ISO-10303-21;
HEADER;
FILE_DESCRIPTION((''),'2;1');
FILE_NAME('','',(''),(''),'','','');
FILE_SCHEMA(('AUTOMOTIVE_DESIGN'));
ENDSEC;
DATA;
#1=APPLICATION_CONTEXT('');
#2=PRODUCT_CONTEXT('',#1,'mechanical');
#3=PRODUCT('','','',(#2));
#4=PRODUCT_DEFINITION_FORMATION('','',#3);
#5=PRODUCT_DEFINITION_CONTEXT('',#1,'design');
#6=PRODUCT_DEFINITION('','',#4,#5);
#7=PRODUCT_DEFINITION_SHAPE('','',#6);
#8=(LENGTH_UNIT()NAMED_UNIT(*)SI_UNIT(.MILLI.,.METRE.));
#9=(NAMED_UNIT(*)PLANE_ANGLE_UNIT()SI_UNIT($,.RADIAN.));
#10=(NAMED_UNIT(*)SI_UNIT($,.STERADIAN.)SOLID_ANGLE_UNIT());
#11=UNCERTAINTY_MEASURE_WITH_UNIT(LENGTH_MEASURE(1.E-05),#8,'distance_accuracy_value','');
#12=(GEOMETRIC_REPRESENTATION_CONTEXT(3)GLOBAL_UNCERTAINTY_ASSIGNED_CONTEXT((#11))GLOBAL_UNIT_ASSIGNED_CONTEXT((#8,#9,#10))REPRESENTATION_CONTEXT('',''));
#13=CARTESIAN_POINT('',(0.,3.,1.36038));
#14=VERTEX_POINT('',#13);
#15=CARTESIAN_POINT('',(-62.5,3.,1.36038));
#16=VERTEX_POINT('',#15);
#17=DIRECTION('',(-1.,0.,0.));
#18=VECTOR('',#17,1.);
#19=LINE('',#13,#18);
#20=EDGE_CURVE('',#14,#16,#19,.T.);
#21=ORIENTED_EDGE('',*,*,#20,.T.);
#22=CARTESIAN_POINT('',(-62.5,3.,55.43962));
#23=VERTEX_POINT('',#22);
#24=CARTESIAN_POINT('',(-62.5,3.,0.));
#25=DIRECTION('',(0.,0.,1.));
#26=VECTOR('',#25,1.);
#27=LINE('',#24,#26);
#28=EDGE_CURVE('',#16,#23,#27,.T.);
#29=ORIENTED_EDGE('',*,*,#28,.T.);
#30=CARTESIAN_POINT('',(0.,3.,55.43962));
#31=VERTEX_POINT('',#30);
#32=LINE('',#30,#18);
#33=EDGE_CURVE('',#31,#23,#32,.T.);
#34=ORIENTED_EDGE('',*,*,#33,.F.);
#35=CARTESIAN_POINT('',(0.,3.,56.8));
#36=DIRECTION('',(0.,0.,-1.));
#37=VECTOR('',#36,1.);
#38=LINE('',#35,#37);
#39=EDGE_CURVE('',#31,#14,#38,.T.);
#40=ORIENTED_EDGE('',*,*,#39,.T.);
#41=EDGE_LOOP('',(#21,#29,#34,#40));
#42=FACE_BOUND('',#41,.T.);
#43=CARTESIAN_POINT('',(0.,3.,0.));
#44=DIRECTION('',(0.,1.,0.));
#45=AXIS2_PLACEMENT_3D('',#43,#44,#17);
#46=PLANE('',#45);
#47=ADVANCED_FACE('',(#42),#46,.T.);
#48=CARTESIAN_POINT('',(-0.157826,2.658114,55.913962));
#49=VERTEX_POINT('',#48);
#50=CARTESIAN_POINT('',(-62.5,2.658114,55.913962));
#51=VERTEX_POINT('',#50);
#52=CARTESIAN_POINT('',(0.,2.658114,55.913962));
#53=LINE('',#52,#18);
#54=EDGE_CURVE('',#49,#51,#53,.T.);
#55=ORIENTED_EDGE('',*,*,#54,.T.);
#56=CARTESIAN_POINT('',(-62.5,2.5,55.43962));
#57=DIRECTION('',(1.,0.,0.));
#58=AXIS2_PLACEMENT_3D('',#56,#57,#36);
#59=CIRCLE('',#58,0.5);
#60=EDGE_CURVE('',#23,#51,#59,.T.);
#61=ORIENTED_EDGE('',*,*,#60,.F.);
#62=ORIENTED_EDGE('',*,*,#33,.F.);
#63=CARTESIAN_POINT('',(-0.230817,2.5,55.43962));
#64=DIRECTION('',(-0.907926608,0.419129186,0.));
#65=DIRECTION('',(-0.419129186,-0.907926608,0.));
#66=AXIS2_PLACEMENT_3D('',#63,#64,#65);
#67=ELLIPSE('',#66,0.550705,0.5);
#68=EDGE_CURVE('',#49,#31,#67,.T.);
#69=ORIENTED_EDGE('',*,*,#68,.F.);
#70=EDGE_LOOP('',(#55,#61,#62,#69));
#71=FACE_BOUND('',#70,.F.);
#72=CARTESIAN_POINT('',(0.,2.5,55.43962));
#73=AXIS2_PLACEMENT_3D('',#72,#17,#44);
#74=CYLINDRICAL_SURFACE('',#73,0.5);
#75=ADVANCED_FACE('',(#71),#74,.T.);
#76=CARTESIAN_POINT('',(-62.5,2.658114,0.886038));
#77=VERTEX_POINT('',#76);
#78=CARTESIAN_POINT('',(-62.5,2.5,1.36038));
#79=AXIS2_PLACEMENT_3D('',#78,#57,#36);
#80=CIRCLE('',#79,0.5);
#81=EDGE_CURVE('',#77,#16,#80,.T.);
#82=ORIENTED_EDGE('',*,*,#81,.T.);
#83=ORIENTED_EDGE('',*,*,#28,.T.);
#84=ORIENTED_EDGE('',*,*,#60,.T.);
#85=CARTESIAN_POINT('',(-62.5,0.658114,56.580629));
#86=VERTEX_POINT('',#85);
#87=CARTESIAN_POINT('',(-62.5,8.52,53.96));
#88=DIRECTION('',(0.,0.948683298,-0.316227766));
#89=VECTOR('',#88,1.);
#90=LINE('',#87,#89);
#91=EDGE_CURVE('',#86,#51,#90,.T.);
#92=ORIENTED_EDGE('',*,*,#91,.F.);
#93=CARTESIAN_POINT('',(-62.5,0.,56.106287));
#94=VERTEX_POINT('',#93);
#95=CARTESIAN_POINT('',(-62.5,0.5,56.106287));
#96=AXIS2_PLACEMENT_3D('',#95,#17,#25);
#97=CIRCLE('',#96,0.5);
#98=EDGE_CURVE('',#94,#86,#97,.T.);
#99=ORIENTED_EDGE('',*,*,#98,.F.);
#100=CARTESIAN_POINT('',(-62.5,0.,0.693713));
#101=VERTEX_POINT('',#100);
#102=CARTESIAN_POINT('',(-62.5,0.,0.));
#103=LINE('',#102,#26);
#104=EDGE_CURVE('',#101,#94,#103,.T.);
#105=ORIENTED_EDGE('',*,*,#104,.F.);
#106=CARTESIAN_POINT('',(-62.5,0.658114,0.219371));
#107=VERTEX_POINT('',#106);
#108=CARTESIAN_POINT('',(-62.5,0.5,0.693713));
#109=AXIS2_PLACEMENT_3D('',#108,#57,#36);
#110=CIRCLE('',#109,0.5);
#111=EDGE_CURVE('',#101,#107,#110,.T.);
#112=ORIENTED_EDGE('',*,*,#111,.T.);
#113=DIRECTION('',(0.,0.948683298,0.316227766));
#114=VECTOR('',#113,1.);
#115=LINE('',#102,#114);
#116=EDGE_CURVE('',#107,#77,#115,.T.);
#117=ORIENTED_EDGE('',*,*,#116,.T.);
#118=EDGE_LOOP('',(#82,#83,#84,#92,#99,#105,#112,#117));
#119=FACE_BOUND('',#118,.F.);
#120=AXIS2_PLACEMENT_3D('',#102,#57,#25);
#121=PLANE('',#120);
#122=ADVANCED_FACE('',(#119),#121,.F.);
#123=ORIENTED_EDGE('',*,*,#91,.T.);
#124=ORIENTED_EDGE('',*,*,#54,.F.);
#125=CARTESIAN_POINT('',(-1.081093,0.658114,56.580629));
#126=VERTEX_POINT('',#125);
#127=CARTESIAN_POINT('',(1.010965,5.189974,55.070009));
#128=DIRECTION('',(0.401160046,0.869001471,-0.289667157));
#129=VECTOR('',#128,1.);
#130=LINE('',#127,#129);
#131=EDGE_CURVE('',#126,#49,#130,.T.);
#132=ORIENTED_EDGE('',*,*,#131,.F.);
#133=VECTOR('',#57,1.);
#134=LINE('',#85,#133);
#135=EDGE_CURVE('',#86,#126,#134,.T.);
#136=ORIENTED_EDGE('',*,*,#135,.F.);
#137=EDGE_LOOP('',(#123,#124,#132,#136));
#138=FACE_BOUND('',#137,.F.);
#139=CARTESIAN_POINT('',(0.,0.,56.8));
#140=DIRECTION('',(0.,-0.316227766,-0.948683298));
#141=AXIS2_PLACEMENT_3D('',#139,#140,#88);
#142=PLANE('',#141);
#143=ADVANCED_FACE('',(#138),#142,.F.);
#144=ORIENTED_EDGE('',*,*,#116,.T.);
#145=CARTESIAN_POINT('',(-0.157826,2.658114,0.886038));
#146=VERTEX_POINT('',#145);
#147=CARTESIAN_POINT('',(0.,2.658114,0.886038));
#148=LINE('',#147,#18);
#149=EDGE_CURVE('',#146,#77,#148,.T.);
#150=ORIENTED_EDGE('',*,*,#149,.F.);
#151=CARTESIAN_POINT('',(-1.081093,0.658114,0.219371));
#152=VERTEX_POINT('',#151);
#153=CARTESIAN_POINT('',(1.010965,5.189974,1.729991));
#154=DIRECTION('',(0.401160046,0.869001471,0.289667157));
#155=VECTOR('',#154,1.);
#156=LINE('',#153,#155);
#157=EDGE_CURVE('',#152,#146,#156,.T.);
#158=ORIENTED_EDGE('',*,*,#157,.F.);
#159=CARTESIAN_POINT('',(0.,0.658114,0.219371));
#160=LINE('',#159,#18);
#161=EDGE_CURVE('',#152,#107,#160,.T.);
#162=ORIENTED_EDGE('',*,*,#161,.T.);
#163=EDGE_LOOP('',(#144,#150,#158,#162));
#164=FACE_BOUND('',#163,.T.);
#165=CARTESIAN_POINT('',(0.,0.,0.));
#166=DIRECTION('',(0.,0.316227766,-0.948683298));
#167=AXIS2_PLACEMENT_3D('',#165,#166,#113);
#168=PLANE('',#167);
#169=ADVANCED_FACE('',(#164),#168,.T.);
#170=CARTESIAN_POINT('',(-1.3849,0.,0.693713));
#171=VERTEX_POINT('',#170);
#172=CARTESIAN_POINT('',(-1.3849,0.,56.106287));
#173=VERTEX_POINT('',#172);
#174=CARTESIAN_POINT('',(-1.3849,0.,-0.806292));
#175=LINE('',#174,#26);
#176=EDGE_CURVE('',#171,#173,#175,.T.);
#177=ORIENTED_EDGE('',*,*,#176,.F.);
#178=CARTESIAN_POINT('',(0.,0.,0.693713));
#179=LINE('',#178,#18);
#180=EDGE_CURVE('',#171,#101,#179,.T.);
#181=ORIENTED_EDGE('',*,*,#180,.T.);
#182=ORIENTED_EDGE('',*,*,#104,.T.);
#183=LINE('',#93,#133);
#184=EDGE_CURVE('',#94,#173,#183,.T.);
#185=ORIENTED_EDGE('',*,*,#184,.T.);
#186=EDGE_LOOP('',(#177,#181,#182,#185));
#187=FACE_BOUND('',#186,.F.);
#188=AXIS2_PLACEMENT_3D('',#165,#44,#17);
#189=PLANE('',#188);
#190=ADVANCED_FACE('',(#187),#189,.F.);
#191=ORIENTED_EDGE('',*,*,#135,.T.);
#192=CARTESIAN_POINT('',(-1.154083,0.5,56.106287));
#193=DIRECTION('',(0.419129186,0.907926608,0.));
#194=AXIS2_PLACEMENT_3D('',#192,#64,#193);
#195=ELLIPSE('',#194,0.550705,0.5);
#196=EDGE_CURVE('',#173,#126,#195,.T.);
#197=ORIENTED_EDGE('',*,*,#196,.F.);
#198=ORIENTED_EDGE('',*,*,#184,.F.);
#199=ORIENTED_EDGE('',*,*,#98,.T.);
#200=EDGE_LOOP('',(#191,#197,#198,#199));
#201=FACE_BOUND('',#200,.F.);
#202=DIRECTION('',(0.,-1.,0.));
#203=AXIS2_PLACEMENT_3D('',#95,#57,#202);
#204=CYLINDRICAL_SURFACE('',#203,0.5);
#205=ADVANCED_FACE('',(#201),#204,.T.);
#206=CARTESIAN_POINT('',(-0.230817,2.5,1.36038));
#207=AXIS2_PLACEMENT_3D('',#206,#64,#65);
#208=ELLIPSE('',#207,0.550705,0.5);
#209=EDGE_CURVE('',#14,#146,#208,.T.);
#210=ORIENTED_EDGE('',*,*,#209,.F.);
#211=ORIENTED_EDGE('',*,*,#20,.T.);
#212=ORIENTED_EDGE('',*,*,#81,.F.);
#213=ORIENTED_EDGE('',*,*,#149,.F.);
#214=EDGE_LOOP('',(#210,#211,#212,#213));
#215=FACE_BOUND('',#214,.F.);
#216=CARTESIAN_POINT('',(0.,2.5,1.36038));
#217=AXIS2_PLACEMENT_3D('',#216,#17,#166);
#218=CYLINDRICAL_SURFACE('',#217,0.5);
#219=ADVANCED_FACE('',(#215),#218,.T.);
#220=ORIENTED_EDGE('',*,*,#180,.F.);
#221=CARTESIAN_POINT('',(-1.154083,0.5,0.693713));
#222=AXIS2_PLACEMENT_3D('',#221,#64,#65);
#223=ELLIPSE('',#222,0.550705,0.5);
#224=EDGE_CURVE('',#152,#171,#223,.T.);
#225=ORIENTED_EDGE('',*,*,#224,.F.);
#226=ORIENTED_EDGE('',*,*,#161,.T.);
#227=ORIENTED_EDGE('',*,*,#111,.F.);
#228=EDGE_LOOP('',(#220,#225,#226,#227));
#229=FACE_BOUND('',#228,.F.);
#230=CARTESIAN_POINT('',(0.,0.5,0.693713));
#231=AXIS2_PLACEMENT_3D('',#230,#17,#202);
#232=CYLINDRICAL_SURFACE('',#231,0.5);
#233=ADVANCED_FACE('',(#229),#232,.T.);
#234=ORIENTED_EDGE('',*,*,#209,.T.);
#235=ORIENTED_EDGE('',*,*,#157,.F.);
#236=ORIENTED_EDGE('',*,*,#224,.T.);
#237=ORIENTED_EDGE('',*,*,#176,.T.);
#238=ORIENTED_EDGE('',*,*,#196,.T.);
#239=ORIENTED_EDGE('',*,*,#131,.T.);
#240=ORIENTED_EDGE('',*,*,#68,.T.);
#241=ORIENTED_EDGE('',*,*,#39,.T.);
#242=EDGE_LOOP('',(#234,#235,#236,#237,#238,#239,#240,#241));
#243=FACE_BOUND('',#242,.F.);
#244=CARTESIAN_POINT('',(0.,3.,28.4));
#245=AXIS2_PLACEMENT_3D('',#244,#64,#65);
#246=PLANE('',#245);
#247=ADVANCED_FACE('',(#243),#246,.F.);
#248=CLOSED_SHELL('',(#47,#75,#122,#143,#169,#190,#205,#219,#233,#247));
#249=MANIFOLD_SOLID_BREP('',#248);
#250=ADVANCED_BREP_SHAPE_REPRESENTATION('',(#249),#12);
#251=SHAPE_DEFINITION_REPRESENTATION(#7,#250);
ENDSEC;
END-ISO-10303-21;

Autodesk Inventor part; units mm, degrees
ref_plane "YZ Plane" through (0, 0, 0) normal (1, 0, 0) x (0, 1, 0)
ref_plane "XZ Plane" through (0, 0, 0) normal (0, 1, 0) x (-1, 0, 0)
sketch "Sketch1" plane through (0, 0, 0) normal (0, 1, 0) x (-1, 0, 0)
  line L0 (0, 0) -> (62.5, 0)
  line L1 (62.5, 0) -> (62.5, 56.8)
  line L2 (62.5, 56.8) -> (0, 56.8)
  line L3 (0, 56.8) -> (0, 0)
  dimension "d7" = 62.5
  dimension "d8" = 56.8
extrude "Extrusion1" add sketch "Sketch1" along normal blind 3
sketch "Sketch2" plane through (0, 0, 56.8) normal (1, 0, 0) x (0, 0, -1)
  line L0 (56.8, 0) -> (56.8, 3) projected
  line L1 (0, 3) -> (56.8, 3) projected
  line L2 (0, 0) -> (0, 3) projected
  line L3 (0, 0) -> (1, 3)
  line L4 (56.8, 0) -> (55.8, 3)
  dimension "d2" = 1
  dimension "d3" = 1
extrude "Extrusion2" cut sketch "Sketch2" against normal through all
fillet "Fillet1" radius 0.5 4 edges at (-31.25, 3, 55.8) (-31.25, 0, 56.8) (-31.25, 3, 1) (-31.25, 0, 0)
ref_plane "Work Plane1" through (0, 3, 28.4) normal (0, 0, -1) x (-1, 0, 0)
sketch "Sketch3" plane through (0, 3, 28.4) normal (0, 0, -1) x (-1, 0, 0)
  line L0 (62.5, 0) -> (62.5, -3) projected
  line L1 (62.5, -3) -> (0, -3) projected
  line L2 (0, -3) -> (0, 0) projected
  line L3 (0, 0) -> (62.5, 0) projected
  line L4 (0, 0) -> (1.3849, -3)
  dimension "d12" = 65.22
extrude "Extrusion3" cut sketch "Sketch3" along normal through all both and the other way through all contours L4 L1 L2
properties part number "Tapa batería"
